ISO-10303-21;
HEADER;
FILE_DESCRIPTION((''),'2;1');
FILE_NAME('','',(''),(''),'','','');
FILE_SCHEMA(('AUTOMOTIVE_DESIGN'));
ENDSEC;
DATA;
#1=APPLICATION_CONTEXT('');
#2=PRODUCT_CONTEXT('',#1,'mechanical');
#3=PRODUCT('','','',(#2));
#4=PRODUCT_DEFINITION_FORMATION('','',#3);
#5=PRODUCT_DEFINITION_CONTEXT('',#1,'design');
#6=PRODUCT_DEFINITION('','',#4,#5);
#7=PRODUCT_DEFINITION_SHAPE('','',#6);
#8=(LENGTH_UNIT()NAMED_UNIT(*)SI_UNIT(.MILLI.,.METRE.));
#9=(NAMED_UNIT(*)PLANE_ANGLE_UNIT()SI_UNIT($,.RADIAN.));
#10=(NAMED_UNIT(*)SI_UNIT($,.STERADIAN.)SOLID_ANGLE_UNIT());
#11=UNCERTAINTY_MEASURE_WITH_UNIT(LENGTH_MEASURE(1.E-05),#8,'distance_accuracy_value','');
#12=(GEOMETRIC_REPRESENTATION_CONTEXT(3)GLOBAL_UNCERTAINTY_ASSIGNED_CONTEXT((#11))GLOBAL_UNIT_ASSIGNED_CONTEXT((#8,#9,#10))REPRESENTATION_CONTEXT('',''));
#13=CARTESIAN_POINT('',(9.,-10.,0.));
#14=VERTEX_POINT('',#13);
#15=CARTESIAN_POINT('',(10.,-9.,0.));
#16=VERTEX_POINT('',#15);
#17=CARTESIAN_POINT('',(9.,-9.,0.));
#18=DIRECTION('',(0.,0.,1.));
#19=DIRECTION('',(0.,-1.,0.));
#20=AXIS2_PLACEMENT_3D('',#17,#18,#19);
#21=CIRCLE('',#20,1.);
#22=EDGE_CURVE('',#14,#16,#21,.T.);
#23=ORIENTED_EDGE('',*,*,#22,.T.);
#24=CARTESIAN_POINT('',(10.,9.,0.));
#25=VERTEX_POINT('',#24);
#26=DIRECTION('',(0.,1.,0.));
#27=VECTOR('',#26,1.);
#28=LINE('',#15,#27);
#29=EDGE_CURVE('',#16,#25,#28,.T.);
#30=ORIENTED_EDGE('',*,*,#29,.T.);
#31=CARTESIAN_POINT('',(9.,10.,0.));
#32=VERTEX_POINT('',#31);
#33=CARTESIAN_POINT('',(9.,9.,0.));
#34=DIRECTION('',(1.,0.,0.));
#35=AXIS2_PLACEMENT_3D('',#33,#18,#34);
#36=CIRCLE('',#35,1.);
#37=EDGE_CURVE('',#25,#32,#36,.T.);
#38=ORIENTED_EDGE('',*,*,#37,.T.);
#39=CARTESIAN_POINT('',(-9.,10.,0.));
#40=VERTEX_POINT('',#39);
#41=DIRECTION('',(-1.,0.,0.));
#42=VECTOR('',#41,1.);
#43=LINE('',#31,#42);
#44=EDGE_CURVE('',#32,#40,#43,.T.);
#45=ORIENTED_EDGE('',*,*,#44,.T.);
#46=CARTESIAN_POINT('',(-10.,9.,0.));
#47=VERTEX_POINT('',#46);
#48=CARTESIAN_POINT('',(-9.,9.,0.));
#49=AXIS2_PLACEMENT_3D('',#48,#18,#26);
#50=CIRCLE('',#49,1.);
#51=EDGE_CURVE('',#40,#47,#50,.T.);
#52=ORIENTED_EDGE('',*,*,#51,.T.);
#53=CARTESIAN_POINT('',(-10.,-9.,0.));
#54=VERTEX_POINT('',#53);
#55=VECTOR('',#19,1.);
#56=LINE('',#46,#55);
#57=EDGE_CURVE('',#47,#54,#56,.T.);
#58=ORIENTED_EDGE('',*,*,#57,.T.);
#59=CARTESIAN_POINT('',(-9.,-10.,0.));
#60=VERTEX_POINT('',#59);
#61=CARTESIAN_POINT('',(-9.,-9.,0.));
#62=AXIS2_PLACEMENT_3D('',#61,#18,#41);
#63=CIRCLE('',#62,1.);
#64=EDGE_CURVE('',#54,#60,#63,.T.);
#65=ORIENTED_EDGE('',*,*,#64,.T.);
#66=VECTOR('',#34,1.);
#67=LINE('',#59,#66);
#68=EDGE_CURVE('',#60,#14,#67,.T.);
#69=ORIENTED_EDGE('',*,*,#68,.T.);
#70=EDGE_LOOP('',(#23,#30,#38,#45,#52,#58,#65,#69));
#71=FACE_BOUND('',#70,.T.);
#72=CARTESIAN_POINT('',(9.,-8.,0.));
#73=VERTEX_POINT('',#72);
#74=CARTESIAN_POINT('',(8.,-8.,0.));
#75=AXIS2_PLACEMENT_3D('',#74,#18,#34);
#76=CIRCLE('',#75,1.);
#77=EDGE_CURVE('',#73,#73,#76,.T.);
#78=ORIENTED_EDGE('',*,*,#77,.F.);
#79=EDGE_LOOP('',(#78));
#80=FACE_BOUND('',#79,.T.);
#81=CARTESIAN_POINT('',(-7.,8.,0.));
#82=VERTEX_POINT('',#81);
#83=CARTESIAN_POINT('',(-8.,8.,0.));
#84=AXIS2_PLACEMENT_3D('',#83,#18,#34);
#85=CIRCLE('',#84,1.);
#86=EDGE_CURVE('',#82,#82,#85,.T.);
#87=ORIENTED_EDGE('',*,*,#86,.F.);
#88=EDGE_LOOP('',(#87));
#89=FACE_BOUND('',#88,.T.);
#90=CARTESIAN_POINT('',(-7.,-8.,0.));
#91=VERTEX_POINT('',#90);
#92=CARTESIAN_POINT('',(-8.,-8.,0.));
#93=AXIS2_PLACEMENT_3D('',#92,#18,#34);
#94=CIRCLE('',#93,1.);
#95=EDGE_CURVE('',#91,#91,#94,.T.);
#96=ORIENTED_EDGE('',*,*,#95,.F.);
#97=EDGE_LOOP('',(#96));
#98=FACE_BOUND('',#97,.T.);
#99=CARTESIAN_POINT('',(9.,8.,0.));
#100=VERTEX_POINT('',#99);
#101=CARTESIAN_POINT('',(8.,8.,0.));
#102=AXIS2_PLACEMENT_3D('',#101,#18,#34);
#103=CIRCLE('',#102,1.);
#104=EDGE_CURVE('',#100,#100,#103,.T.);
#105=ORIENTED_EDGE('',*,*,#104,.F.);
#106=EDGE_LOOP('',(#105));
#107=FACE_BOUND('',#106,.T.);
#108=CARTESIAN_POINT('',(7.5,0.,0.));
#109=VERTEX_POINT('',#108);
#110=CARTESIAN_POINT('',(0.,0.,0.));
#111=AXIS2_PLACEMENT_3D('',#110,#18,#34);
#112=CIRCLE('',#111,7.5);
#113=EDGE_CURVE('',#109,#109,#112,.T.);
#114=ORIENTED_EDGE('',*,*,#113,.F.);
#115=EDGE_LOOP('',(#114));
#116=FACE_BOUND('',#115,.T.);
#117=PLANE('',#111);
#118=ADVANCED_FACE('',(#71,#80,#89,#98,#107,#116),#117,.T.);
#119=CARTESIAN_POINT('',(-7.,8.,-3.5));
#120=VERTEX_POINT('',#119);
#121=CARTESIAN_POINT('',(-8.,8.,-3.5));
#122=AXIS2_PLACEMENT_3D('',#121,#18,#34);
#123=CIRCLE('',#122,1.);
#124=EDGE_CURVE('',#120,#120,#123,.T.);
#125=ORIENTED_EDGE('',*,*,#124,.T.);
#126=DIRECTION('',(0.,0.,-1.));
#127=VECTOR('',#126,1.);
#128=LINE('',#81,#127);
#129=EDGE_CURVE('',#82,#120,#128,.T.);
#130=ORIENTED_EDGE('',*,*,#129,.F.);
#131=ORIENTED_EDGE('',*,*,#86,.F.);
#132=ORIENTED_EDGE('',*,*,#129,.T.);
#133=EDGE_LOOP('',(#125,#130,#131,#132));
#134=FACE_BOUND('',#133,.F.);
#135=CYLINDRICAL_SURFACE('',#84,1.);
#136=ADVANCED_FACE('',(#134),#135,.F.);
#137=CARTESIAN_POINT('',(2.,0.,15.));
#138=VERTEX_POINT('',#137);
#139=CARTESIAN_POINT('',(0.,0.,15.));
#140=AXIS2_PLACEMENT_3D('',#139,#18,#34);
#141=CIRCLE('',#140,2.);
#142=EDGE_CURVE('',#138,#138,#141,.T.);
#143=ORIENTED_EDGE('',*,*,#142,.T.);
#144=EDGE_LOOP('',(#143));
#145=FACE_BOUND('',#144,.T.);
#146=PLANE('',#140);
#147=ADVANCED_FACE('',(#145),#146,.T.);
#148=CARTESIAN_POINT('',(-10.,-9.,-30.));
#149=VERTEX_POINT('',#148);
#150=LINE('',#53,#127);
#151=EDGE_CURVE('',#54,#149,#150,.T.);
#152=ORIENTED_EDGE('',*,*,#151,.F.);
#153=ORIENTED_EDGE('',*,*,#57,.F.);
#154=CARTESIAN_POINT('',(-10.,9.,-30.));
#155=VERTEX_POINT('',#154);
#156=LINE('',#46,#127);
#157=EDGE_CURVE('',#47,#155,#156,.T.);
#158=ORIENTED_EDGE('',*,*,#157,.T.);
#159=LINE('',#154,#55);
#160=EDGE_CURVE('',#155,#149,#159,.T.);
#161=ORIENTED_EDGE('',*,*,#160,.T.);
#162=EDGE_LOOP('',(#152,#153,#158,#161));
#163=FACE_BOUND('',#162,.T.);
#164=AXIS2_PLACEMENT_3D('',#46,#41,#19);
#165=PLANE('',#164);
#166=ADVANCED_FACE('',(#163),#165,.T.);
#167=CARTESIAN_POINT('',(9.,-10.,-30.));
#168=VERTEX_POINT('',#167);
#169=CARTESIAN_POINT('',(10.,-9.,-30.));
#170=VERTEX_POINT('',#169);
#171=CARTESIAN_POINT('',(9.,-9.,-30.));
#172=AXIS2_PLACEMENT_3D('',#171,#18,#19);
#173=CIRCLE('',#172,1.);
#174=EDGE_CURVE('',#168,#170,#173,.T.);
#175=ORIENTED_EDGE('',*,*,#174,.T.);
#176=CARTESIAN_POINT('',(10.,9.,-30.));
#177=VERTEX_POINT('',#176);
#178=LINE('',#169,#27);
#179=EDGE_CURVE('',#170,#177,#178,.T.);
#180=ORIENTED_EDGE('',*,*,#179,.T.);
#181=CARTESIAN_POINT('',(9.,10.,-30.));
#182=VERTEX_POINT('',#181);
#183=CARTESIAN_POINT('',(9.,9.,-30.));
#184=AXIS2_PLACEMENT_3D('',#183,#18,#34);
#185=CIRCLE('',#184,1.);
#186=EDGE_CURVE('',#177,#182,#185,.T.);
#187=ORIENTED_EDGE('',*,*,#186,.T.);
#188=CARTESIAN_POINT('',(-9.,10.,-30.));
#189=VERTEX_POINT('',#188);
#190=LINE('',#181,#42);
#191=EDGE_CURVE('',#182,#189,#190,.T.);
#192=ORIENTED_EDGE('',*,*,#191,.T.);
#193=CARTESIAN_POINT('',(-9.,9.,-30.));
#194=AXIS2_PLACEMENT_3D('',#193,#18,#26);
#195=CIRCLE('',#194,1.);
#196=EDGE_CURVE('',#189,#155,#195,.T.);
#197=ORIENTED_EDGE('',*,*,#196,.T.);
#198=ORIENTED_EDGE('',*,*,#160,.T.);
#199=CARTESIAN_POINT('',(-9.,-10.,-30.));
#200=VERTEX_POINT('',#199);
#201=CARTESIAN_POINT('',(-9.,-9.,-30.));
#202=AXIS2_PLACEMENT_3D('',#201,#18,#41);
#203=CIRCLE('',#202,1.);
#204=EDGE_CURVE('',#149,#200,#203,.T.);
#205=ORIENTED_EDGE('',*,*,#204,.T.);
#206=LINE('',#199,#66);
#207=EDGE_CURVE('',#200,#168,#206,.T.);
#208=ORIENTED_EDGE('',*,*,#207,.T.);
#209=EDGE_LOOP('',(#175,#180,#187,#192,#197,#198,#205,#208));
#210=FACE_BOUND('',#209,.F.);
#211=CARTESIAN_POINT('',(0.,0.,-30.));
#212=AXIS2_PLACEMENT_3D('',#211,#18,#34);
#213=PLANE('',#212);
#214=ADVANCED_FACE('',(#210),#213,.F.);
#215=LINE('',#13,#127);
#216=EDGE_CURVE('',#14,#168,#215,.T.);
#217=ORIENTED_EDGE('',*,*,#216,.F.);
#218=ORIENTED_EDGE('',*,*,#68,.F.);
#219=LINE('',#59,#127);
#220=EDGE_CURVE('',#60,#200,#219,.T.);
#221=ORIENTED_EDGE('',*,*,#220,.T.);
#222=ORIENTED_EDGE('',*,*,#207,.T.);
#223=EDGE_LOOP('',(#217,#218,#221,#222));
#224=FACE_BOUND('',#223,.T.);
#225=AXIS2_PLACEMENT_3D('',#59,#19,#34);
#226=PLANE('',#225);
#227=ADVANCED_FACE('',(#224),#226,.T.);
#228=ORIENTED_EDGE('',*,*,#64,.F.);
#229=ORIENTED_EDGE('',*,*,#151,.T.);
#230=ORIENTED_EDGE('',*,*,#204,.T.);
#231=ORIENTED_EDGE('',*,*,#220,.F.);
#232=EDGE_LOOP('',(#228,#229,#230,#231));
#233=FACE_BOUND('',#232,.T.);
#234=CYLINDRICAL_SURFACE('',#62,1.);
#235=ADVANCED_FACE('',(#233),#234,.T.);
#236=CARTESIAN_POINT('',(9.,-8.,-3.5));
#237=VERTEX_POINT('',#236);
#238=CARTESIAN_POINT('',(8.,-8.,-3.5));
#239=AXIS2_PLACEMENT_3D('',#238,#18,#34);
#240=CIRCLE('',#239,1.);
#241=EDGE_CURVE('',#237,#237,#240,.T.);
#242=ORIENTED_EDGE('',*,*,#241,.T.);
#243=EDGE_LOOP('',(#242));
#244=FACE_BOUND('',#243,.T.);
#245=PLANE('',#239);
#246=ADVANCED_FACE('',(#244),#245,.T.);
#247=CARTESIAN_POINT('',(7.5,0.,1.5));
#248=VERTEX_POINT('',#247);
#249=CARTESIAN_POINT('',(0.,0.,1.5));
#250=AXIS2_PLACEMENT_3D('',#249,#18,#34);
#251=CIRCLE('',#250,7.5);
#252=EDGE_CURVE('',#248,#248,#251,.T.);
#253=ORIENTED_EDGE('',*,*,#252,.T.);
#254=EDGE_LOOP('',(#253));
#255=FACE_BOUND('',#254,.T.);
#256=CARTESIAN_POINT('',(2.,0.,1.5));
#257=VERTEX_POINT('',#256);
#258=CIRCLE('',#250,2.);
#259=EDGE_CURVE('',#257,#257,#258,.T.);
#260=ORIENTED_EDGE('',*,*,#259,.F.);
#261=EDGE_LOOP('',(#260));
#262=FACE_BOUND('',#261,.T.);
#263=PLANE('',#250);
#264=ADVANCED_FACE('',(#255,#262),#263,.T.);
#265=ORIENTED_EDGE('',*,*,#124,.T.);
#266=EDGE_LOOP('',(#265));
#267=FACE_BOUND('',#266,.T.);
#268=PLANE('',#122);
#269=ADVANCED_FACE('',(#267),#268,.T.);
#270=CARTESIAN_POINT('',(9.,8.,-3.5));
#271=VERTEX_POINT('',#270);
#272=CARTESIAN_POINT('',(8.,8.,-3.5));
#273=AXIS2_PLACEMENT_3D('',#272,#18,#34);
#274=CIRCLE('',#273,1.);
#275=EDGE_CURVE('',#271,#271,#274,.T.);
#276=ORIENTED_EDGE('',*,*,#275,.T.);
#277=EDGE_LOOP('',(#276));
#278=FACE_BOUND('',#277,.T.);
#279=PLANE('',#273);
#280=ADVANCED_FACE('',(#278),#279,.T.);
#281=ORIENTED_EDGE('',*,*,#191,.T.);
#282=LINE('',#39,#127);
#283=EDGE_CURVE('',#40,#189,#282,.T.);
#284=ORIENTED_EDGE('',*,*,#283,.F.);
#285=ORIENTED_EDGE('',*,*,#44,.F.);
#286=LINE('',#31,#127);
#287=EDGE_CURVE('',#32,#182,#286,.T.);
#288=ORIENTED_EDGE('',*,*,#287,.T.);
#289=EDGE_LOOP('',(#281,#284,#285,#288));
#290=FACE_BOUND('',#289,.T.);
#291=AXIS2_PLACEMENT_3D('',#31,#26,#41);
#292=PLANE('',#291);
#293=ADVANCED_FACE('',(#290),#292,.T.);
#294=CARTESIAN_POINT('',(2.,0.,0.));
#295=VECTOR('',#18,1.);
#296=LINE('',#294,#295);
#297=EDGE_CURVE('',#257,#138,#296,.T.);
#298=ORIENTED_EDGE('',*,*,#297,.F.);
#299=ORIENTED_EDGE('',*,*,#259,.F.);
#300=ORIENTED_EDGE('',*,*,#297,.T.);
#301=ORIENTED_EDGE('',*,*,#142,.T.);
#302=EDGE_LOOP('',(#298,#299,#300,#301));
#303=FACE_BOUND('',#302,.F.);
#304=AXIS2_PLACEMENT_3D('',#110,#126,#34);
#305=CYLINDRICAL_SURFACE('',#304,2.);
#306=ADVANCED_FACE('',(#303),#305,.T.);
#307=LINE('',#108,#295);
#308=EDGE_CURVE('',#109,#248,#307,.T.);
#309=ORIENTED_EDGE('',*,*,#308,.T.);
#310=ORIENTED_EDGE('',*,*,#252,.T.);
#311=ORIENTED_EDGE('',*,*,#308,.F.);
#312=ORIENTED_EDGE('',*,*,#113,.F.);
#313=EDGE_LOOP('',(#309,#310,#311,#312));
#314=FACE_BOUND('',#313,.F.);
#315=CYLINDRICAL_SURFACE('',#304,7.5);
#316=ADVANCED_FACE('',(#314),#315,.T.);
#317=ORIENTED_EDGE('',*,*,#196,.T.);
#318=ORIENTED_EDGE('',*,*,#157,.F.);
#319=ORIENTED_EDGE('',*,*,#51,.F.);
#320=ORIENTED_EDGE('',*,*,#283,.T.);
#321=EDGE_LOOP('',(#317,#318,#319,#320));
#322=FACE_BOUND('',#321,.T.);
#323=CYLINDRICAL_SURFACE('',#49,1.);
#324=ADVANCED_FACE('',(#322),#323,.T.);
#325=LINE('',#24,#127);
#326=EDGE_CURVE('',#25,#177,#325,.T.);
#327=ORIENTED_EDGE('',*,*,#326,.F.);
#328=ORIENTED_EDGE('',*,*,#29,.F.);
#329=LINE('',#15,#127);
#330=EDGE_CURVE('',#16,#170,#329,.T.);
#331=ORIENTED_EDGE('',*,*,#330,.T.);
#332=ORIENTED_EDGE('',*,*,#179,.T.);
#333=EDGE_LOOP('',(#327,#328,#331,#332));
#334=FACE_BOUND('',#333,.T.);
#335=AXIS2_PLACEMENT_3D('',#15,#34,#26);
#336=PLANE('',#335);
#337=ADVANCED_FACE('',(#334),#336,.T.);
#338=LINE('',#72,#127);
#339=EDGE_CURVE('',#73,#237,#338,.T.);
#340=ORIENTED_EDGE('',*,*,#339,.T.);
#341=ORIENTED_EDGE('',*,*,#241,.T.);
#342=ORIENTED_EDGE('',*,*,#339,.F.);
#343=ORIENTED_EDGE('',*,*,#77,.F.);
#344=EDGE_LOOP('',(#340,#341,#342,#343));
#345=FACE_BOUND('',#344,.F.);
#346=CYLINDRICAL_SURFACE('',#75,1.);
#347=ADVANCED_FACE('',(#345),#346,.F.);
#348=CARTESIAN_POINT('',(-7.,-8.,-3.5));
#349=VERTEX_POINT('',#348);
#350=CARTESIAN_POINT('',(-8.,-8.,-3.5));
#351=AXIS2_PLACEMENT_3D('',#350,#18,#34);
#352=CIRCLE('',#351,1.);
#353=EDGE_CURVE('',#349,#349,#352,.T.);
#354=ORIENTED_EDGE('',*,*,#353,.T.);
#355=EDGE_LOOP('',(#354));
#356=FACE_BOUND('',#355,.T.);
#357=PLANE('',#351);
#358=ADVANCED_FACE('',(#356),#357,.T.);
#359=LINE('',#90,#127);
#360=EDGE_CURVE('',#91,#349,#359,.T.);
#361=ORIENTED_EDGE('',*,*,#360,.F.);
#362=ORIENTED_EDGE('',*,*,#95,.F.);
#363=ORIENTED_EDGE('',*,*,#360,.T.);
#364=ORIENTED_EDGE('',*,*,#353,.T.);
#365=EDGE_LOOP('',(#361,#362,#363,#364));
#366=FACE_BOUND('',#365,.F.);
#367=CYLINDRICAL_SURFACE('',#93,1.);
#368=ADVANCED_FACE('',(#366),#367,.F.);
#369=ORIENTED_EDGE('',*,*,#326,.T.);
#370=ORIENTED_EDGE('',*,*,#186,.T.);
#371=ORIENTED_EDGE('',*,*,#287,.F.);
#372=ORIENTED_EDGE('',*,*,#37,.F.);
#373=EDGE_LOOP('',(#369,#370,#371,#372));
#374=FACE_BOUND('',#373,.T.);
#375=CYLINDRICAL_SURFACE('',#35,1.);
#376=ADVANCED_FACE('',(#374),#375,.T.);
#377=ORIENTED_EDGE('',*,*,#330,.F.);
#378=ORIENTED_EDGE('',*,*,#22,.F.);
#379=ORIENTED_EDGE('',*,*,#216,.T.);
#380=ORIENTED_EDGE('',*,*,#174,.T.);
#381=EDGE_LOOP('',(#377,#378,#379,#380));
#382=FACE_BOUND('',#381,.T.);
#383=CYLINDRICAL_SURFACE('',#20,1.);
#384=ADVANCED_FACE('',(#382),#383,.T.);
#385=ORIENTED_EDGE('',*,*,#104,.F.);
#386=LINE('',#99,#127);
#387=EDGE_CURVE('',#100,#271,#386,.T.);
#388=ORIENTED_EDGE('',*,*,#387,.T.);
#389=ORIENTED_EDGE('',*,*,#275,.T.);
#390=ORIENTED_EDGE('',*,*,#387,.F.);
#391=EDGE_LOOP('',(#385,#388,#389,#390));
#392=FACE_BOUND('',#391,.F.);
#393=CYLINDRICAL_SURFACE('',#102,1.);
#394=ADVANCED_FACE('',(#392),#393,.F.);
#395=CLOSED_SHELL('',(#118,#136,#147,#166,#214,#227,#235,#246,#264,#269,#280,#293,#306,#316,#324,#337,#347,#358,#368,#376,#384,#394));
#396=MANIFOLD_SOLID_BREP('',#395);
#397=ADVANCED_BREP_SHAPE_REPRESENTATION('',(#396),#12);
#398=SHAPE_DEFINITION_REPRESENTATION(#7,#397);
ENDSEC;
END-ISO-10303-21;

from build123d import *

# Parameters (mm, degrees)
F0_R     = 1
F0_R_2   = 7.5
F0_R_3   = 2
F1_DEPTH = 30
F2_DEPTH = 3.5
F3_DEPTH = 15
F4_DEPTH = 1.5


with BuildPart() as f1:
    # F0 (on Top) → F1 (new body)
    with BuildSketch(Plane.XY):
        with BuildLine():
            ThreePointArc((10, 9), (9.7071067812, 9.7071067812), (9, 10))
            Line((9, 10), (-9, 10))
            ThreePointArc((-9, 10), (-9.7071067812, 9.7071067812), (-10, 9))
            Line((-10, 9), (-10, -9))
            ThreePointArc((-10, -9), (-9.7071067812, -9.7071067812), (-9, -10))
            Line((-9, -10), (9, -10))
            ThreePointArc((9, -10), (9.7071067812, -9.7071067812), (10, -9))
            Line((10, -9), (10, 9))
        make_face()
        with Locations((-8, -8)):
            Circle(F0_R, mode=Mode.SUBTRACT)
        with Locations((8, -8)):
            Circle(F0_R, mode=Mode.SUBTRACT)
        with Locations((-8, 8)):
            Circle(F0_R, mode=Mode.SUBTRACT)
        Circle(F0_R_2, mode=Mode.SUBTRACT)
        with Locations((8, 8)):
            Circle(F0_R, mode=Mode.SUBTRACT)
        Circle(F0_R_2)
        Circle(F0_R_3, mode=Mode.SUBTRACT)
        Circle(F0_R_3)
        with Locations((-8, -8)):
            Circle(F0_R)
        with Locations((8, 8)):
            Circle(F0_R)
        with Locations((8, -8)):
            Circle(F0_R)
        with Locations((-8, 8)):
            Circle(F0_R)
    extrude(amount=-F1_DEPTH)

    # F0 (on Top) → F2 (cut)
    with BuildSketch(Plane.XY):
        with Locations((-8, 8)):
            Circle(F0_R)
        with Locations((8, 8)):
            Circle(F0_R)
        with Locations((-8, -8)):
            Circle(F0_R)
        with Locations((8, -8)):
            Circle(F0_R)
    extrude(amount=-F2_DEPTH, mode=Mode.SUBTRACT)

    # F0 (on Top) → F3 (join)
    with BuildSketch(Plane.XY):
        Circle(F0_R_3)
    extrude(amount=F3_DEPTH)

    # F0 (on Top) → F4 (join)
    with BuildSketch(Plane.XY):
        Circle(F0_R_2)
        Circle(F0_R_3, mode=Mode.SUBTRACT)
    extrude(amount=F4_DEPTH)


solid = f1.part
